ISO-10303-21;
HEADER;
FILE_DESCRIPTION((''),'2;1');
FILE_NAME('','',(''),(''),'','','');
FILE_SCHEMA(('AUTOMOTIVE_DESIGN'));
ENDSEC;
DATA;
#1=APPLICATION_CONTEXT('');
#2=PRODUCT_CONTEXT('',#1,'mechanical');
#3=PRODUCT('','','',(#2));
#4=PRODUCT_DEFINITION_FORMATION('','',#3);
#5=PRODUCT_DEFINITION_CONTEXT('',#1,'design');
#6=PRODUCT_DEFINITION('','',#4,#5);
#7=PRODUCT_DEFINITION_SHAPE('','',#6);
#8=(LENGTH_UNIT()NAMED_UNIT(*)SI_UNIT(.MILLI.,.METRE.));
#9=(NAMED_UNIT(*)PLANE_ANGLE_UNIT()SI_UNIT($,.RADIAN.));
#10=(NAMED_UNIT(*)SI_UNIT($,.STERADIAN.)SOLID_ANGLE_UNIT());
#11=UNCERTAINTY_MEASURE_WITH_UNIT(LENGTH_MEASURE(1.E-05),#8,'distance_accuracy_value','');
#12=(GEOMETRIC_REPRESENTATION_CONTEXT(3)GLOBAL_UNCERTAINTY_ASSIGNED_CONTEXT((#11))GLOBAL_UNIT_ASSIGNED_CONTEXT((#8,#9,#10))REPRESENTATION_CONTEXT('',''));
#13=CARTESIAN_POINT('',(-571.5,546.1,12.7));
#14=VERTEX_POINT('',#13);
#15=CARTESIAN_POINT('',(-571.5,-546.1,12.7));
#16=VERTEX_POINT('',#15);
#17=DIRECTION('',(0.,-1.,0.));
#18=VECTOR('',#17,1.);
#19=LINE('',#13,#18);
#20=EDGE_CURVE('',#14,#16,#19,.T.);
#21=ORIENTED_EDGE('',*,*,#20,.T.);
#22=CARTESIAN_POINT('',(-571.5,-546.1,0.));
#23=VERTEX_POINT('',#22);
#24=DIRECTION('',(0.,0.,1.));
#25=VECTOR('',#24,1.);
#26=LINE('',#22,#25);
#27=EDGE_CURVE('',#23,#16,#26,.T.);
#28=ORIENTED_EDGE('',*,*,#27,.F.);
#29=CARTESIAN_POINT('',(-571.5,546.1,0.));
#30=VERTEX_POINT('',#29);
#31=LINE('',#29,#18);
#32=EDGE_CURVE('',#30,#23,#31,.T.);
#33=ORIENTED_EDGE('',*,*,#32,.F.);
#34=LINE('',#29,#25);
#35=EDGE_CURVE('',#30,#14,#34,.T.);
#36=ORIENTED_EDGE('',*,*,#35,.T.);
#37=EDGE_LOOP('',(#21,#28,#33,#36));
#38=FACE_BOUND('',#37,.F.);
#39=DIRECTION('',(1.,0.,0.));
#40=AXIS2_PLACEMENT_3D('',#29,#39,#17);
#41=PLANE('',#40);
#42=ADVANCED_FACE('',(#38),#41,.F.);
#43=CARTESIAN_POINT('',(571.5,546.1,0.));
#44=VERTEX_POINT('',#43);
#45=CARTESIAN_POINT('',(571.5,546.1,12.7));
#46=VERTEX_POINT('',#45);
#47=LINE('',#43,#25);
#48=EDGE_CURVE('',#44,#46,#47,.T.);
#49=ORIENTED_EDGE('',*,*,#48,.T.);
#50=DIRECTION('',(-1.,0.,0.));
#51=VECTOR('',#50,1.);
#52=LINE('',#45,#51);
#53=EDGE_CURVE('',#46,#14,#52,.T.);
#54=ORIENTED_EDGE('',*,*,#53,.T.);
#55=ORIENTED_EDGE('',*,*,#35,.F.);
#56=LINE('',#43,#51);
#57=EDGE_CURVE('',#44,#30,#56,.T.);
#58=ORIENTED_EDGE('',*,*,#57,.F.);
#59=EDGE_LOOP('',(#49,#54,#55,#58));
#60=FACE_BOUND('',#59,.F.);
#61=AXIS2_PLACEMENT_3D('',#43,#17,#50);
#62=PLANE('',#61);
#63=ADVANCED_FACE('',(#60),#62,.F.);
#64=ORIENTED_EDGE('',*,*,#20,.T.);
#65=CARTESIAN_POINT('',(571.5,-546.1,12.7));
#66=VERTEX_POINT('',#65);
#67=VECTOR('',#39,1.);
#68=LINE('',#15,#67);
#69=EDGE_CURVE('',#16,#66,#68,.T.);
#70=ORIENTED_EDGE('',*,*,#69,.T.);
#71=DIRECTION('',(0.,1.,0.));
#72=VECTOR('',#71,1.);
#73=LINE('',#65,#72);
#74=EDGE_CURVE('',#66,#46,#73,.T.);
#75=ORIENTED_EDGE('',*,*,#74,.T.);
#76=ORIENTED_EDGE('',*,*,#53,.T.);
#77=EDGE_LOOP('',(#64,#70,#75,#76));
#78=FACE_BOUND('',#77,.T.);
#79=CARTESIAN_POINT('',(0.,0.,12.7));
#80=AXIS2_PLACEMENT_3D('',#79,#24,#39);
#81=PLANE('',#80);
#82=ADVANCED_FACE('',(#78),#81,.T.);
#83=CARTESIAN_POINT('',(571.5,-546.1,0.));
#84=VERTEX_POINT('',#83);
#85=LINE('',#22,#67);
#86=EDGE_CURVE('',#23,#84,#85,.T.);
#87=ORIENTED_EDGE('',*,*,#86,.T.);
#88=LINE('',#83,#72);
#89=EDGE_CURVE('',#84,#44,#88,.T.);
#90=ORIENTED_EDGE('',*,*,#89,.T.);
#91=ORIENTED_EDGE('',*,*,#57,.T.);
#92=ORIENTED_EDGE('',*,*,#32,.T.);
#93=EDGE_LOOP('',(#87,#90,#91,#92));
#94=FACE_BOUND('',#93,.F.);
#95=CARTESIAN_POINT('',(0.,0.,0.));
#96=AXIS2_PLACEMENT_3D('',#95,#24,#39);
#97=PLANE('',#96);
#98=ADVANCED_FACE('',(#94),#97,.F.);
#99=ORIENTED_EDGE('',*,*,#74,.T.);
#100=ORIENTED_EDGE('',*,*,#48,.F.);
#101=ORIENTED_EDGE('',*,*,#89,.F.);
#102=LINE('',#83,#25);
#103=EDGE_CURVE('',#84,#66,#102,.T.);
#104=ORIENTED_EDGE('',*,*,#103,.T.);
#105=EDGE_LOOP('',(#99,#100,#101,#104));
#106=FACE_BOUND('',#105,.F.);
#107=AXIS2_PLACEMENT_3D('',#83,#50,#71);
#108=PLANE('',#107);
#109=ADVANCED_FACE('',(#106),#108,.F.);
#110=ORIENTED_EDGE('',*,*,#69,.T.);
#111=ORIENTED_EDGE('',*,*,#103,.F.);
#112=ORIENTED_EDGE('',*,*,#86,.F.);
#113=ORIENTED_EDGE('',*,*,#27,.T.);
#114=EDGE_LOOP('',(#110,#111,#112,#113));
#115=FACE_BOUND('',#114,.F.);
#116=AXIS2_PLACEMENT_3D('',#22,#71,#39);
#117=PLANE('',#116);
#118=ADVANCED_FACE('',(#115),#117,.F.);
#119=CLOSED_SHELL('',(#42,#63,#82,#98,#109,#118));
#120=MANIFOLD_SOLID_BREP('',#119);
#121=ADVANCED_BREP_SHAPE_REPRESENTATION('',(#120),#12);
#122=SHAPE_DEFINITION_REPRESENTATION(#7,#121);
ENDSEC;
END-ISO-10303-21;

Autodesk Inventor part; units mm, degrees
ref_plane "YZ Plane" through (0, 0, 0) normal (1, 0, 0) x (0, 1, 0)
ref_plane "XZ Plane" through (0, 0, 0) normal (0, 1, 0) x (-1, 0, 0)
ref_plane "XY Plane" through (0, 0, 0) normal (0, 0, 1) x (1, 0, 0)
sketch "Sketch1" plane through (0, 0, 0) normal (0, 0, 1) x (1, 0, 0)
  line L0 (-571.5, -546.1) -> (571.5, -546.1)
  line L1 (571.5, -546.1) -> (571.5, 546.1)
  line L2 (571.5, 546.1) -> (-571.5, 546.1)
  line L3 (-571.5, 546.1) -> (-571.5, -546.1)
  line L4 (-571.5, -546.1) -> (571.5, 546.1) construction
  line L5 (571.5, -546.1) -> (-571.5, 546.1) construction
  point P0 (0, 0)
  dimension "d0" = 1143
  dimension "d1" = 1092.2
extrude "Extrusion1" add sketch "Sketch1" along normal blind 12.7
properties part number "right_0_1"
